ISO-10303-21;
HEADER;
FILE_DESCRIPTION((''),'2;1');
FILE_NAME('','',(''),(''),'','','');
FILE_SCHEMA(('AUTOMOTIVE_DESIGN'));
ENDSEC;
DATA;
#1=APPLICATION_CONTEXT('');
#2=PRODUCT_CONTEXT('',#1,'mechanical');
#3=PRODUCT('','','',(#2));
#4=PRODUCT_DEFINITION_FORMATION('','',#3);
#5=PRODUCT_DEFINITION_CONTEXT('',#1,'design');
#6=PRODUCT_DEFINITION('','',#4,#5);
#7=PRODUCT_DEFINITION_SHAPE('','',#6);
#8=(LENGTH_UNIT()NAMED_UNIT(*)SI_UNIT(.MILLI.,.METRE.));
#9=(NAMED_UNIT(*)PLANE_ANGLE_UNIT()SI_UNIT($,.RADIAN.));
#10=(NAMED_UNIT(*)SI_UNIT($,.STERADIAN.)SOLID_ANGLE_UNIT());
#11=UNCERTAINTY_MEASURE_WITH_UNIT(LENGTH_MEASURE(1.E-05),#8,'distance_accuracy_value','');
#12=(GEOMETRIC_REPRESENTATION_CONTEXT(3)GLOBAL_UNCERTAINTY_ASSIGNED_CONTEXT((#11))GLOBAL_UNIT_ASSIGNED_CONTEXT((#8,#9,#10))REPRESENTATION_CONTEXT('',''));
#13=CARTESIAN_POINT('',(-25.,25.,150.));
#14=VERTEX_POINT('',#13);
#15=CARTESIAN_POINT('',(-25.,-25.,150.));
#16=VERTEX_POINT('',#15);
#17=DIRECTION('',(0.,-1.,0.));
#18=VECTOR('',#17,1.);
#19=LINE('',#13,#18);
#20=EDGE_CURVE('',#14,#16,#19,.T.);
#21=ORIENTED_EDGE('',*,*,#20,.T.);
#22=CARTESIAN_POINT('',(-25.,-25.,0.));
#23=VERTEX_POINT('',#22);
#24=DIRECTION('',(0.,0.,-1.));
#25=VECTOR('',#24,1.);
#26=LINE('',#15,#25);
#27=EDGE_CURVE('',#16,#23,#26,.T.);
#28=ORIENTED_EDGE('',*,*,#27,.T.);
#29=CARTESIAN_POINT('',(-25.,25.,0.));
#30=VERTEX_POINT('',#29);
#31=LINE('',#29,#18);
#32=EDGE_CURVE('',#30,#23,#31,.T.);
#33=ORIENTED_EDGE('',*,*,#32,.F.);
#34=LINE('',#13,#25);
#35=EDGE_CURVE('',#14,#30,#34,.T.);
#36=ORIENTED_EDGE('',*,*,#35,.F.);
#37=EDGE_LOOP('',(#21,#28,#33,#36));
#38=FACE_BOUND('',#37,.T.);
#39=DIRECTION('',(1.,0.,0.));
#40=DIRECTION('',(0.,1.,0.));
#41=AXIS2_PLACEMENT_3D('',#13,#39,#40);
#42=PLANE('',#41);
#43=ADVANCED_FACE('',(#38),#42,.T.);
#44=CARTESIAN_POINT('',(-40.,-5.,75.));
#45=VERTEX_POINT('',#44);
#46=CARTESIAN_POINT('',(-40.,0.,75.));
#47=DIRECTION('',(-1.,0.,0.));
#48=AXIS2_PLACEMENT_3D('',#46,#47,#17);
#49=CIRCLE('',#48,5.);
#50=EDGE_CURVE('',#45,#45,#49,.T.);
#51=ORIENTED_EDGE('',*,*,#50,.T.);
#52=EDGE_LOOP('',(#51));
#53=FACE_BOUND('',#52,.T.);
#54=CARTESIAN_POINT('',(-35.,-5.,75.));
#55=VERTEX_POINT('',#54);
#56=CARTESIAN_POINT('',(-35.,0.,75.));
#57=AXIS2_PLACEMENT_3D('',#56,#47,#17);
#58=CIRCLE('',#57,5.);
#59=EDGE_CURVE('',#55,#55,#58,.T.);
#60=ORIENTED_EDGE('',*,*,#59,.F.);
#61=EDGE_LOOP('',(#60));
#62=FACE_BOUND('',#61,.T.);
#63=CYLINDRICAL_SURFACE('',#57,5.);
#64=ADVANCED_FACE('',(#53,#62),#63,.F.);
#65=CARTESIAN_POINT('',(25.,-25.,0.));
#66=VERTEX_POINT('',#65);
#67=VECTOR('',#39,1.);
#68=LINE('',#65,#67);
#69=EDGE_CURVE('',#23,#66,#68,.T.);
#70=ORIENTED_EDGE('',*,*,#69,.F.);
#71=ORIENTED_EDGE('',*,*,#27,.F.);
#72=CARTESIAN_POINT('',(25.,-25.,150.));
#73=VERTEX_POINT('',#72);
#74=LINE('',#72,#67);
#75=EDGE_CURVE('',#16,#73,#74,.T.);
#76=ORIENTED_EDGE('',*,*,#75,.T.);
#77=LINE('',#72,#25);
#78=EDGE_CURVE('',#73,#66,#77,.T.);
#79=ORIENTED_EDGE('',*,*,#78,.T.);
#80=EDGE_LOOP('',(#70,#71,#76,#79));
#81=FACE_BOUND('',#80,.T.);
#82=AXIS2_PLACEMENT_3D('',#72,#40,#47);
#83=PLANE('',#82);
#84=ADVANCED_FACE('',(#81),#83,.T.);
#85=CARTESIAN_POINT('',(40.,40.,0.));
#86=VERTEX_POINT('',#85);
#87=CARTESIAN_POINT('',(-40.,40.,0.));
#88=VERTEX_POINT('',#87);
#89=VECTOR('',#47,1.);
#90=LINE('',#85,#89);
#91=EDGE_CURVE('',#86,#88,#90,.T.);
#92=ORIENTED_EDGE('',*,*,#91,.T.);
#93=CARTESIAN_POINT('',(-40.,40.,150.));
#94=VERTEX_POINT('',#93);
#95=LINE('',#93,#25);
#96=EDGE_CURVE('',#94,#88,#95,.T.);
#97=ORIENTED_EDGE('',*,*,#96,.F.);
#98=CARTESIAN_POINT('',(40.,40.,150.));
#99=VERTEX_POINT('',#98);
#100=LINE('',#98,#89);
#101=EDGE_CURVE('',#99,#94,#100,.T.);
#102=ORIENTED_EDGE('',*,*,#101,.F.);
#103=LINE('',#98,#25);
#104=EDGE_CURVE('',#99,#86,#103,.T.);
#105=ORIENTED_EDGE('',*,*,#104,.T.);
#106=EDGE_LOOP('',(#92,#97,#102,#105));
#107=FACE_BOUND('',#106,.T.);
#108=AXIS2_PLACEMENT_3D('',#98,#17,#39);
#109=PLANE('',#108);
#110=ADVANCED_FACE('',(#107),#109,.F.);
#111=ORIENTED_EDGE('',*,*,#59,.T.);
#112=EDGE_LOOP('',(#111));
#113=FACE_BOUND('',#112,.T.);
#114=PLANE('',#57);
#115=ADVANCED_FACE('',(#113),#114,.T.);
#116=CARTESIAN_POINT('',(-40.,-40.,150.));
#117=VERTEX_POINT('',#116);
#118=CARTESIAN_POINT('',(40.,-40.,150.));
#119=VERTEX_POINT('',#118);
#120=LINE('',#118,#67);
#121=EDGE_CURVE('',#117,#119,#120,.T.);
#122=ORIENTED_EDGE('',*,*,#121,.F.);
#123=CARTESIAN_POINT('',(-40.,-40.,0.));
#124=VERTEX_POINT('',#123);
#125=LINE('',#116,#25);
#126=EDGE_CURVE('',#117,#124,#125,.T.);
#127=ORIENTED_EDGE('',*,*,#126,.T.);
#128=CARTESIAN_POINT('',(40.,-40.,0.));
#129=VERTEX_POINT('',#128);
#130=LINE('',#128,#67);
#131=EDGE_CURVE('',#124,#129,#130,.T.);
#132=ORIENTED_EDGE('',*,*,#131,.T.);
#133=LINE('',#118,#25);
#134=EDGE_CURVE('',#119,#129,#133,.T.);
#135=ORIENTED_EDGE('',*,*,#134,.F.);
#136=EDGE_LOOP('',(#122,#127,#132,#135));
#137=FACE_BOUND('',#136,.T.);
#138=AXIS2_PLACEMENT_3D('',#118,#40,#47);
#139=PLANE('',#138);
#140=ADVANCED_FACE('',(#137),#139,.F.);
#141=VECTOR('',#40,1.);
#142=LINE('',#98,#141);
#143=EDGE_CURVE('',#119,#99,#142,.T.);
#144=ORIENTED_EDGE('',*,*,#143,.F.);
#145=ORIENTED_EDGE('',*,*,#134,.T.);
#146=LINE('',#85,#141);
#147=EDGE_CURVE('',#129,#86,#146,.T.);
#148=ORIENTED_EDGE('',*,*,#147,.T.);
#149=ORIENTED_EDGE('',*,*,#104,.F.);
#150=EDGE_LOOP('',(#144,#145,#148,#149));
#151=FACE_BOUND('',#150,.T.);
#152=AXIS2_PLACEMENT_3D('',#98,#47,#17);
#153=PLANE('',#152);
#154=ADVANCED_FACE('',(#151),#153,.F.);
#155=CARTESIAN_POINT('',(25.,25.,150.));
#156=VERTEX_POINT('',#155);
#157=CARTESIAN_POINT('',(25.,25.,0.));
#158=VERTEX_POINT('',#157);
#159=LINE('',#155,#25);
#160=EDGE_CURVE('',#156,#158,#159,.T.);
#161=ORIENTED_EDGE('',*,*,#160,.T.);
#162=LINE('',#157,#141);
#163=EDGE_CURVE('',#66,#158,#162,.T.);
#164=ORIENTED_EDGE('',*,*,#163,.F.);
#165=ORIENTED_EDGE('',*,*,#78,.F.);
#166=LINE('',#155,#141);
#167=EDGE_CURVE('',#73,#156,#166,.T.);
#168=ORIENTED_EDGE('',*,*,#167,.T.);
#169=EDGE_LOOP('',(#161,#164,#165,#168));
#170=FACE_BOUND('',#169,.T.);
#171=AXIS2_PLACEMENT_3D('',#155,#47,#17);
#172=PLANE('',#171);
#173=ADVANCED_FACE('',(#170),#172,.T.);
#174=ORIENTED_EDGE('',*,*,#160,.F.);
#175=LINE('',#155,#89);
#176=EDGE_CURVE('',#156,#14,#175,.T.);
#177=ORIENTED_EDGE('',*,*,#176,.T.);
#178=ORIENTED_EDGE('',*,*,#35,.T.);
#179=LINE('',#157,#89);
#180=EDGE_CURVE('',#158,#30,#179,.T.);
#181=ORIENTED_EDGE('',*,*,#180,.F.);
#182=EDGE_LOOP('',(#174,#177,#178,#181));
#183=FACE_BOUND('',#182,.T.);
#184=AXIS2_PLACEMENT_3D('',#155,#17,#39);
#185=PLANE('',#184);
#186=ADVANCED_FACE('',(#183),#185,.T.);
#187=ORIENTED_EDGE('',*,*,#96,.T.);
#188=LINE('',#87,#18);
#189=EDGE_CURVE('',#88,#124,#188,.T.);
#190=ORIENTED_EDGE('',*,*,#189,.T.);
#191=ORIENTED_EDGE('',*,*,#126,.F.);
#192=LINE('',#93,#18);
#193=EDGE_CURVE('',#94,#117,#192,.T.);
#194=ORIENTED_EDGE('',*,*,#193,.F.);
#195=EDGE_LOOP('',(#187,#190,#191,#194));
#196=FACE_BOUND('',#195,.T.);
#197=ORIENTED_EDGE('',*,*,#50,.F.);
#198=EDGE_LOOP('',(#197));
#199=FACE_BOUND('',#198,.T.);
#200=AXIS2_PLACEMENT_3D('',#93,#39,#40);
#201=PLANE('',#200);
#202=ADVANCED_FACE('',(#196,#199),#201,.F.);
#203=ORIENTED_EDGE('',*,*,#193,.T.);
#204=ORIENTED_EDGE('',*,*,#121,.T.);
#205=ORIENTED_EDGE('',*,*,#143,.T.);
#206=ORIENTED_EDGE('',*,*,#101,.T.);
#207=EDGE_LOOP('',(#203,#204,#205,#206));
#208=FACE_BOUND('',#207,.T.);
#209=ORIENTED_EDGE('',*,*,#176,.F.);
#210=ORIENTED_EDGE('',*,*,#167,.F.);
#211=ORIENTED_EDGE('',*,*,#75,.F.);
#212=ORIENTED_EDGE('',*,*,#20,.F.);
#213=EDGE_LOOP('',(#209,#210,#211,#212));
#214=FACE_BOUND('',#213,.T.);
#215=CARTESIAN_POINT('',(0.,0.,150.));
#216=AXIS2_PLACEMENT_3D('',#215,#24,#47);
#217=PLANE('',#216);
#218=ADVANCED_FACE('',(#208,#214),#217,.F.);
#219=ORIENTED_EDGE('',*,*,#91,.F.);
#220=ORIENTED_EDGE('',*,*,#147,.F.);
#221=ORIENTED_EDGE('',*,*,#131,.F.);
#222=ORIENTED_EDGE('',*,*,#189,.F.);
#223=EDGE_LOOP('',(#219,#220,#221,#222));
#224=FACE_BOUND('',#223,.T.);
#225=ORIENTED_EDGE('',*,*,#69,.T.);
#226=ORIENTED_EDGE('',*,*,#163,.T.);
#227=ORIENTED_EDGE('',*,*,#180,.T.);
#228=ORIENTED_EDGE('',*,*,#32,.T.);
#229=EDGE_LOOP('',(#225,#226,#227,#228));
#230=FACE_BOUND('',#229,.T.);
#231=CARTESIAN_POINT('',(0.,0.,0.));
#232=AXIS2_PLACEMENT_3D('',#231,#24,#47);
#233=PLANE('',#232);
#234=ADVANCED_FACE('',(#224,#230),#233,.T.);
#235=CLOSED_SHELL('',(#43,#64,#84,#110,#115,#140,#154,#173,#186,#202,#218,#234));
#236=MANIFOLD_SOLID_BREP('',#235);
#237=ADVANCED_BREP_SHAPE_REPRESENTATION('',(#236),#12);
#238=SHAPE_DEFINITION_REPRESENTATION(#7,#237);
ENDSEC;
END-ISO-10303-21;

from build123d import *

# Parameters (mm, degrees)
SKETCH1_W           = 80
SKETCH1_H           = 80
SKETCH1_W_2         = 50
SKETCH1_H_2         = 50
BOSS_EXTRUDE1_DEPTH = 150
SKETCH2_R           = 5
CUT_EXTRUDE1_DEPTH  = 5


with BuildPart() as part:
    # Sketch1 → Boss-Extrude1 (new body)
    with BuildSketch(Plane.XY):
        Rectangle(SKETCH1_W, SKETCH1_H)
        Rectangle(SKETCH1_W_2, SKETCH1_H_2, mode=Mode.SUBTRACT)
    extrude(amount=BOSS_EXTRUDE1_DEPTH)

    # Sketch2 → Cut-Extrude1 (cut)
    with BuildSketch(Plane.ZY.offset(40)):
        with Locations(Location((75, 0, 0), (0, 0, 270))):
            Circle(SKETCH2_R)
    extrude(amount=-CUT_EXTRUDE1_DEPTH, mode=Mode.SUBTRACT)


solid = part.part
